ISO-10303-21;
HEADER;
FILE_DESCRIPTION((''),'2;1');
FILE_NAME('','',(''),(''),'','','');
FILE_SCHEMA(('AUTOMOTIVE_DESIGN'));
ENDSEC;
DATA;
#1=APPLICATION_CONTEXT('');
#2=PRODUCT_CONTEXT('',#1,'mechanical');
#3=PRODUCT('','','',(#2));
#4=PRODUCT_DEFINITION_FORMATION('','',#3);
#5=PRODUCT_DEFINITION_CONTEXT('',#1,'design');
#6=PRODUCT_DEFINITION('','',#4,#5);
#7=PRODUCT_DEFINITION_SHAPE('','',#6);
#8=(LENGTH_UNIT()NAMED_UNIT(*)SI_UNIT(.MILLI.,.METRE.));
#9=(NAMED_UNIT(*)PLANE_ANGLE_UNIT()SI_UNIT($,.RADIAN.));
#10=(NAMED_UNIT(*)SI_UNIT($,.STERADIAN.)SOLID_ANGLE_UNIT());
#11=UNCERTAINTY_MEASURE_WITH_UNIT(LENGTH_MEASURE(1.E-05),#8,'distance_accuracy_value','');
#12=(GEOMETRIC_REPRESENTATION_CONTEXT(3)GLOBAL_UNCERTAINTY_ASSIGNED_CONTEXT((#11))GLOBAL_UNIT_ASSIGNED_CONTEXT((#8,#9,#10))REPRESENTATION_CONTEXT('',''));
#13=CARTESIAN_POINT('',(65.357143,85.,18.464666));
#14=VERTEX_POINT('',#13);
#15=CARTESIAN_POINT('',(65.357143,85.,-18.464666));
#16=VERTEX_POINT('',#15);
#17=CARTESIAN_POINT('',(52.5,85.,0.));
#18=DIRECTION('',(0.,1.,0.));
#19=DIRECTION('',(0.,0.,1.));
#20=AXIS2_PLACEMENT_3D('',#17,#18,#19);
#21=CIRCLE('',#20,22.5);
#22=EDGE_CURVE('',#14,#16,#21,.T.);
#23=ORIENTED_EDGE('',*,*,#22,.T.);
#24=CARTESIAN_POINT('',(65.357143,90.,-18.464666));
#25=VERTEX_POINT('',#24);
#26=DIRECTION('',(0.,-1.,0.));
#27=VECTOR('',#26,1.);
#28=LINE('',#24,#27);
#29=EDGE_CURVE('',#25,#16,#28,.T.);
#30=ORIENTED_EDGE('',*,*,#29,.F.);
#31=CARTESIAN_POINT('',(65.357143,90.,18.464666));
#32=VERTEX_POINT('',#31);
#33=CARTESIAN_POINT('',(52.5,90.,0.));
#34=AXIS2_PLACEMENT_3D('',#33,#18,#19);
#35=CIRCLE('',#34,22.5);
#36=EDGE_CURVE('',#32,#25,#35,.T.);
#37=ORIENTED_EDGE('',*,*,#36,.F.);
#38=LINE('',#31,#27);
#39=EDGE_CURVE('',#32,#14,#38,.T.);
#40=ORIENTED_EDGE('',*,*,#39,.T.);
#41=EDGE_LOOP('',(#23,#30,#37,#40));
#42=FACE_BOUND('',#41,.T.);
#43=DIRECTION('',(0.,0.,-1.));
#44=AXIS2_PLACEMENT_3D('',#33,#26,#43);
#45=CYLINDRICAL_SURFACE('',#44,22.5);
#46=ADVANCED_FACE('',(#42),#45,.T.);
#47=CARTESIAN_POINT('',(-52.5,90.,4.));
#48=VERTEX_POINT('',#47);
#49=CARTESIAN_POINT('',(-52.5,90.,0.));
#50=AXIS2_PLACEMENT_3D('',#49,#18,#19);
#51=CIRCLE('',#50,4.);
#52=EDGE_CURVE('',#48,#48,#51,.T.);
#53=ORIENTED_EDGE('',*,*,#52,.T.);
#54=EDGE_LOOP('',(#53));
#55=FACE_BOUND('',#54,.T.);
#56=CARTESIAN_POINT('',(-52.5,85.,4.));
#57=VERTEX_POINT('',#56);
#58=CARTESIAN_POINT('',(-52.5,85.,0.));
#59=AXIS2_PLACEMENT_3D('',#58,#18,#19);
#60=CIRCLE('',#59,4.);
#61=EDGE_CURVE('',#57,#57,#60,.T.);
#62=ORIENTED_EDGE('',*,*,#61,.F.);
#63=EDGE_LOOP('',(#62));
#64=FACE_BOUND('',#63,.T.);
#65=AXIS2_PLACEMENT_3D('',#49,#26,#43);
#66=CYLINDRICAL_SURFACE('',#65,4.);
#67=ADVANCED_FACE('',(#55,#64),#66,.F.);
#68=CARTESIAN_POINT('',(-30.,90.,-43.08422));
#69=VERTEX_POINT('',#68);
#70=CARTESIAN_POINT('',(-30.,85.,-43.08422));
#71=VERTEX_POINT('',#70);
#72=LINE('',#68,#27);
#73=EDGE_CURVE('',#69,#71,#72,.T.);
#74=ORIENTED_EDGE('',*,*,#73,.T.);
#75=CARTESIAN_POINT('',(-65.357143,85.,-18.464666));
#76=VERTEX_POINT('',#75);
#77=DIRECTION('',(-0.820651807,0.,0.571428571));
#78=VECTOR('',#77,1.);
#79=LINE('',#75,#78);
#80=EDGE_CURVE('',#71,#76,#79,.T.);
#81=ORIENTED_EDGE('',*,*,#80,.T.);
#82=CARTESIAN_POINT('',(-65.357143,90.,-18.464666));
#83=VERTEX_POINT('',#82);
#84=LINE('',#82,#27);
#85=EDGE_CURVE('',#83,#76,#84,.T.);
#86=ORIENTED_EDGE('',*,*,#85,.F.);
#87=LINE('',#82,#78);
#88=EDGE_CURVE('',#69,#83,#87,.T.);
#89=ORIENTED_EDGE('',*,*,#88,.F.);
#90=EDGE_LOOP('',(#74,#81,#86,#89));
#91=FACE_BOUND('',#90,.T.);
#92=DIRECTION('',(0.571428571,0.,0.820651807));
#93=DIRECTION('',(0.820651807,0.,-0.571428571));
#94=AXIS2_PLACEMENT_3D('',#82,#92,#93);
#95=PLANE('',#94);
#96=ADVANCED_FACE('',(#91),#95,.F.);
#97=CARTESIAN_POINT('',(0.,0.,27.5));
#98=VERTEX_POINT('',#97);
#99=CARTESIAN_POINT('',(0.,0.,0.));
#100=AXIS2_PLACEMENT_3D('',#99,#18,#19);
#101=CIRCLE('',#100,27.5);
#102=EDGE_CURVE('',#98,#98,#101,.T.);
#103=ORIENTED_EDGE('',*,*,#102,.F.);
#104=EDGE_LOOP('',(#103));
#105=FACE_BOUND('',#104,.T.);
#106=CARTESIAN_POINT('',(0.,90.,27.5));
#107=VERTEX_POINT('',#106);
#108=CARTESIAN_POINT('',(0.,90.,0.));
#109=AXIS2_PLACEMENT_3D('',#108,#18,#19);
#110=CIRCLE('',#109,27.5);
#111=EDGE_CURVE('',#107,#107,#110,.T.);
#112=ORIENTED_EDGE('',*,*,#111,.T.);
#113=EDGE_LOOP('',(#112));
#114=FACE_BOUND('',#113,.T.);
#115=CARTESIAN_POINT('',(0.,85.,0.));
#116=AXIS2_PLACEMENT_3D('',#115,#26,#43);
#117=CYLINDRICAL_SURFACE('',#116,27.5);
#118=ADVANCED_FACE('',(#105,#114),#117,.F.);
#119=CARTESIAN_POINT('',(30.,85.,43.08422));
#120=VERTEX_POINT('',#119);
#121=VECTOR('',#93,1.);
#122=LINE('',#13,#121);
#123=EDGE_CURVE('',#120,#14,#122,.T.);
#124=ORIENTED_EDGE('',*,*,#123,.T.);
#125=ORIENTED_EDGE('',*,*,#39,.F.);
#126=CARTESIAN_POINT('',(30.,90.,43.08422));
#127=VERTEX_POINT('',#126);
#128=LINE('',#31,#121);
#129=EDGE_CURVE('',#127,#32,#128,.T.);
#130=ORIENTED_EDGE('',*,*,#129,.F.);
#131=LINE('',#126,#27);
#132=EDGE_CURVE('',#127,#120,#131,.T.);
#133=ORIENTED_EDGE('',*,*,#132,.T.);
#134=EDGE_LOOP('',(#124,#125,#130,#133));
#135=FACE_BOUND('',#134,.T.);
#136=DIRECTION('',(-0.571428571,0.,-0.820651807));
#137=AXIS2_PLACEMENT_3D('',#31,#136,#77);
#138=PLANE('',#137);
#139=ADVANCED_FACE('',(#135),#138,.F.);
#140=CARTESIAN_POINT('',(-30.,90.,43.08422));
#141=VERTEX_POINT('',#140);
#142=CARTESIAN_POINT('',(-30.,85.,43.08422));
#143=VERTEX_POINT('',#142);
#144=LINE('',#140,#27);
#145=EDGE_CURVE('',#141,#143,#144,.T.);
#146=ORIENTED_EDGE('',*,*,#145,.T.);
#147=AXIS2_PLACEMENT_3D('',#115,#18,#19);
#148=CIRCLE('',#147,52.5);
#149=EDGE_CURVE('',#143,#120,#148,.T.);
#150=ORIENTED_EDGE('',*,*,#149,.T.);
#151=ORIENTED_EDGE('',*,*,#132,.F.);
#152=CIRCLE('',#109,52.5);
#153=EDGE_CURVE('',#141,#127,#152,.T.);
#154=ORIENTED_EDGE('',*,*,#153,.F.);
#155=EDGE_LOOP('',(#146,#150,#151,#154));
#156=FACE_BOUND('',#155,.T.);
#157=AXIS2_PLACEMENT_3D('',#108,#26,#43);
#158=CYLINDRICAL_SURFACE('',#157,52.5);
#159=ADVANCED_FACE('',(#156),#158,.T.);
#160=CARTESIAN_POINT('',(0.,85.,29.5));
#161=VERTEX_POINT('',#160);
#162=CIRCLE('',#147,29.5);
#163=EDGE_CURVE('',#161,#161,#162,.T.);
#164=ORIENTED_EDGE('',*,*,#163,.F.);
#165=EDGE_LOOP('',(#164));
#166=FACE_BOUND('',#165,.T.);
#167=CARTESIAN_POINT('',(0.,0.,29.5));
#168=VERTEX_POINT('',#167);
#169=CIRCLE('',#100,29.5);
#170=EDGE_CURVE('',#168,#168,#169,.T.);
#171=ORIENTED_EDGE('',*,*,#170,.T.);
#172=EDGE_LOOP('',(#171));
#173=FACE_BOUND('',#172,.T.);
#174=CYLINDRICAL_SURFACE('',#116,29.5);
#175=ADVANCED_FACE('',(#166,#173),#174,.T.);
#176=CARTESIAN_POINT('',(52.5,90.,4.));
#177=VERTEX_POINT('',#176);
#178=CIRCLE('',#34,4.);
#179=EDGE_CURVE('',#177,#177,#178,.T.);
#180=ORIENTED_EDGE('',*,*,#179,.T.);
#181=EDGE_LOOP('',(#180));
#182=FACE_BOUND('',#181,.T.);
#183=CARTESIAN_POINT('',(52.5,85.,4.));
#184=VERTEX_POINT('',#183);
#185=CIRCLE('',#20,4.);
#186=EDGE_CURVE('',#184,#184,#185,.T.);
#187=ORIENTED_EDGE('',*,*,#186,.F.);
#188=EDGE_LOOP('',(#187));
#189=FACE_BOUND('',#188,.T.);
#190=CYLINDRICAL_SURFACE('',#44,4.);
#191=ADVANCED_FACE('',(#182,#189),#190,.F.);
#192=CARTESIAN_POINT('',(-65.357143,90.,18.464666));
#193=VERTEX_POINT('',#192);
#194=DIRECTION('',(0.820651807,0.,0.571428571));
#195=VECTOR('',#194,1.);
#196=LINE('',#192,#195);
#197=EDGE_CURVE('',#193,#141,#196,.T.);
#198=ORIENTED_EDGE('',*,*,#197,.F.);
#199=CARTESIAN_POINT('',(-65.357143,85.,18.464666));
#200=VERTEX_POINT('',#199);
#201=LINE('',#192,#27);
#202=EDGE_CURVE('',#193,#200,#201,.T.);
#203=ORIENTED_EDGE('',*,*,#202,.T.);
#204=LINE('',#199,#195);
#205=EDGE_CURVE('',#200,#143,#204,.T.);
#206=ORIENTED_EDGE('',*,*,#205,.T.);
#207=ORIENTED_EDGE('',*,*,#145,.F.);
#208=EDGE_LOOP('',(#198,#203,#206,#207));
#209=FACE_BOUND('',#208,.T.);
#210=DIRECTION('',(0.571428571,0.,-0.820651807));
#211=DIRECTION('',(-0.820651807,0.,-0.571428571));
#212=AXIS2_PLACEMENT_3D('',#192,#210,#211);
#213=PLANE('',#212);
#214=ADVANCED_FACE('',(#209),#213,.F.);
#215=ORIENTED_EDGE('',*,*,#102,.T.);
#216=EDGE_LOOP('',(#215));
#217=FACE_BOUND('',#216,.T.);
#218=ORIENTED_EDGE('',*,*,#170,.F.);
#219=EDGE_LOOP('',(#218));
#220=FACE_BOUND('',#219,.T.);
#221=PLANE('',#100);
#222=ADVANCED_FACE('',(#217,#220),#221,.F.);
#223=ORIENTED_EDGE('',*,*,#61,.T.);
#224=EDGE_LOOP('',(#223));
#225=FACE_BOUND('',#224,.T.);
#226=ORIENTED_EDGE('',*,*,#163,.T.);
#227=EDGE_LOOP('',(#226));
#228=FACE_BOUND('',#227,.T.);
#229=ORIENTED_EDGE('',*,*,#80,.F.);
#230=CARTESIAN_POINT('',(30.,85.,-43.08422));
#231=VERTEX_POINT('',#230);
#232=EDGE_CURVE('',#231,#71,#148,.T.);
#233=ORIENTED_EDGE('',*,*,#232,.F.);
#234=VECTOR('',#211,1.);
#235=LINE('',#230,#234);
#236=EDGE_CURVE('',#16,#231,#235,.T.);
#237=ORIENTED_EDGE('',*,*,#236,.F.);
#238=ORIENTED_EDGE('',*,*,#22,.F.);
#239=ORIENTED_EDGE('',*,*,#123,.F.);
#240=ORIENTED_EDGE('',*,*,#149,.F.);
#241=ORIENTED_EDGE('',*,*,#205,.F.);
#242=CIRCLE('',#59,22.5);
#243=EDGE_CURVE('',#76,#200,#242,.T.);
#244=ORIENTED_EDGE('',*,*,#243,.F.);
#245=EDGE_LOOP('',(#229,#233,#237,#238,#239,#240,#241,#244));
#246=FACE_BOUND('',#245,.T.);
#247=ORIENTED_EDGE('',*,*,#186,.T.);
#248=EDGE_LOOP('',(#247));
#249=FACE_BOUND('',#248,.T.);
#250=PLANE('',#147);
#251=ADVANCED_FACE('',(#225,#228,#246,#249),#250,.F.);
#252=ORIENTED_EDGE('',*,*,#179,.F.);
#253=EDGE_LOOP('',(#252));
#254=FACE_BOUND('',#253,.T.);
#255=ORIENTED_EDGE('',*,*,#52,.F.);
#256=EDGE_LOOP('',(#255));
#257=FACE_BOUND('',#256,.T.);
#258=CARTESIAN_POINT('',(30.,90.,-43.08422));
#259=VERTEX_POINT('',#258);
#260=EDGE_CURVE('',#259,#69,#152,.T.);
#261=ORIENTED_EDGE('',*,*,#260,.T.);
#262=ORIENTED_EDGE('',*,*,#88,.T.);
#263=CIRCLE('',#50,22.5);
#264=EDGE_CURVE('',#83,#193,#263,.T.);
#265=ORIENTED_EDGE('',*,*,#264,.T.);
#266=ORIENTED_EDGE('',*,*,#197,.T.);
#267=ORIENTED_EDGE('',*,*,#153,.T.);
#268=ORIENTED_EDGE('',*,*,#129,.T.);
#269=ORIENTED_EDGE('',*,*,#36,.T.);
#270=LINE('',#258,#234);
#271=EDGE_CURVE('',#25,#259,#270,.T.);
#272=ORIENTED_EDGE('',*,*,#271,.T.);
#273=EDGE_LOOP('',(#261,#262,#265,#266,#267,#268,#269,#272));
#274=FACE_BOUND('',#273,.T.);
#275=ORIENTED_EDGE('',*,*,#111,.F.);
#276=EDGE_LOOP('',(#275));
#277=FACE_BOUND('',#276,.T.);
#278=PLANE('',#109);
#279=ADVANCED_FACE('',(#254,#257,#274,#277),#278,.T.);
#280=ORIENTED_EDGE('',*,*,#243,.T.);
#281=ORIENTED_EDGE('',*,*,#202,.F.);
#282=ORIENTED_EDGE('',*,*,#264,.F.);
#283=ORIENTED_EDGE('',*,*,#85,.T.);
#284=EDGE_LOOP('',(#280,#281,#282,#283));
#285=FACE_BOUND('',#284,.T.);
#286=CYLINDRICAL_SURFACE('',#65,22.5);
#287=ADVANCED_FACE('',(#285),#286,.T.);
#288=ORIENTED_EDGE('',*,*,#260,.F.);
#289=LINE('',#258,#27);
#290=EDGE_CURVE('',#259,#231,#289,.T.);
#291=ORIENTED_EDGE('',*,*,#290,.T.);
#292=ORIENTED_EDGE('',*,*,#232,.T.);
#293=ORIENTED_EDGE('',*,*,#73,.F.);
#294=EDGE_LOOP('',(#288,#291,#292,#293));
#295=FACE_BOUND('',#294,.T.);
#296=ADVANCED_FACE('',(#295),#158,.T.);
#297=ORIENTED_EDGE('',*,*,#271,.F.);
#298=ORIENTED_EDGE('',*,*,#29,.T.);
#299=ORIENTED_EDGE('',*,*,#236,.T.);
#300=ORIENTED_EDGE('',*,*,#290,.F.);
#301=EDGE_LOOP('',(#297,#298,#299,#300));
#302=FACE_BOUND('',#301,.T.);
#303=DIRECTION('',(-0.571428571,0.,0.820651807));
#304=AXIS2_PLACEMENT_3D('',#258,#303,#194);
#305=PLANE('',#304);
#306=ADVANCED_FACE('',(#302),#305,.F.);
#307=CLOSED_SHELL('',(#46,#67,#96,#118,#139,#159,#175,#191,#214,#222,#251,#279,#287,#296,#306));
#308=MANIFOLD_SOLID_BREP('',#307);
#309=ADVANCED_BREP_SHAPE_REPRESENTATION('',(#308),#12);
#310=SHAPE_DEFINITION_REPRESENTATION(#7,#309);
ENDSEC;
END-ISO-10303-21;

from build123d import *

# Parameters (mm, degrees)
SKETCH1_R           = 29.5
SKETCH1_R_2         = 27.5
BOSS_EXTRUDE1_DEPTH = 85
SKETCH2_R           = 4
SKETCH2_R_2         = 27.5
BOSS_EXTRUDE2_DEPTH = 5


with BuildPart() as part:
    # Sketch1 → Boss-Extrude1 (new body)
    with BuildSketch(Plane(origin=(0, 0, 0), x_dir=(1, 0, 0), z_dir=(0, 1, 0))):
        Circle(SKETCH1_R)
        Circle(SKETCH1_R_2, mode=Mode.SUBTRACT)
    extrude(amount=BOSS_EXTRUDE1_DEPTH)

    # Sketch2 → Boss-Extrude2 (add)
    with BuildSketch(Plane(origin=(0, 85, 0), x_dir=(1, 0, 0), z_dir=(0, 1, 0))):
        with BuildLine():
            Line((30, 43.084219849), (65.357142857, 18.46466565))
            ThreePointArc((65.357142857, 18.46466565), (75, 0), (65.357142857, -18.46466565))
            Line((65.357142857, -18.46466565), (30, -43.084219849))
            ThreePointArc((30, -43.084219849), (0, -52.5), (-30, -43.084219849))
            Line((-30, -43.084219849), (-65.357142857, -18.46466565))
            ThreePointArc((-65.357142857, -18.46466565), (-75, 0), (-65.357142857, 18.46466565))
            Line((-65.357142857, 18.46466565), (-30, 43.084219849))
            ThreePointArc((-30, 43.084219849), (0, 52.5), (30, 43.084219849))
        make_face()
        with Locations((52.5, 0)):
            Circle(SKETCH2_R, mode=Mode.SUBTRACT)
        with Locations((-52.5, 0)):
            Circle(SKETCH2_R, mode=Mode.SUBTRACT)
        Circle(SKETCH2_R_2, mode=Mode.SUBTRACT)
    extrude(amount=BOSS_EXTRUDE2_DEPTH)


solid = part.part
